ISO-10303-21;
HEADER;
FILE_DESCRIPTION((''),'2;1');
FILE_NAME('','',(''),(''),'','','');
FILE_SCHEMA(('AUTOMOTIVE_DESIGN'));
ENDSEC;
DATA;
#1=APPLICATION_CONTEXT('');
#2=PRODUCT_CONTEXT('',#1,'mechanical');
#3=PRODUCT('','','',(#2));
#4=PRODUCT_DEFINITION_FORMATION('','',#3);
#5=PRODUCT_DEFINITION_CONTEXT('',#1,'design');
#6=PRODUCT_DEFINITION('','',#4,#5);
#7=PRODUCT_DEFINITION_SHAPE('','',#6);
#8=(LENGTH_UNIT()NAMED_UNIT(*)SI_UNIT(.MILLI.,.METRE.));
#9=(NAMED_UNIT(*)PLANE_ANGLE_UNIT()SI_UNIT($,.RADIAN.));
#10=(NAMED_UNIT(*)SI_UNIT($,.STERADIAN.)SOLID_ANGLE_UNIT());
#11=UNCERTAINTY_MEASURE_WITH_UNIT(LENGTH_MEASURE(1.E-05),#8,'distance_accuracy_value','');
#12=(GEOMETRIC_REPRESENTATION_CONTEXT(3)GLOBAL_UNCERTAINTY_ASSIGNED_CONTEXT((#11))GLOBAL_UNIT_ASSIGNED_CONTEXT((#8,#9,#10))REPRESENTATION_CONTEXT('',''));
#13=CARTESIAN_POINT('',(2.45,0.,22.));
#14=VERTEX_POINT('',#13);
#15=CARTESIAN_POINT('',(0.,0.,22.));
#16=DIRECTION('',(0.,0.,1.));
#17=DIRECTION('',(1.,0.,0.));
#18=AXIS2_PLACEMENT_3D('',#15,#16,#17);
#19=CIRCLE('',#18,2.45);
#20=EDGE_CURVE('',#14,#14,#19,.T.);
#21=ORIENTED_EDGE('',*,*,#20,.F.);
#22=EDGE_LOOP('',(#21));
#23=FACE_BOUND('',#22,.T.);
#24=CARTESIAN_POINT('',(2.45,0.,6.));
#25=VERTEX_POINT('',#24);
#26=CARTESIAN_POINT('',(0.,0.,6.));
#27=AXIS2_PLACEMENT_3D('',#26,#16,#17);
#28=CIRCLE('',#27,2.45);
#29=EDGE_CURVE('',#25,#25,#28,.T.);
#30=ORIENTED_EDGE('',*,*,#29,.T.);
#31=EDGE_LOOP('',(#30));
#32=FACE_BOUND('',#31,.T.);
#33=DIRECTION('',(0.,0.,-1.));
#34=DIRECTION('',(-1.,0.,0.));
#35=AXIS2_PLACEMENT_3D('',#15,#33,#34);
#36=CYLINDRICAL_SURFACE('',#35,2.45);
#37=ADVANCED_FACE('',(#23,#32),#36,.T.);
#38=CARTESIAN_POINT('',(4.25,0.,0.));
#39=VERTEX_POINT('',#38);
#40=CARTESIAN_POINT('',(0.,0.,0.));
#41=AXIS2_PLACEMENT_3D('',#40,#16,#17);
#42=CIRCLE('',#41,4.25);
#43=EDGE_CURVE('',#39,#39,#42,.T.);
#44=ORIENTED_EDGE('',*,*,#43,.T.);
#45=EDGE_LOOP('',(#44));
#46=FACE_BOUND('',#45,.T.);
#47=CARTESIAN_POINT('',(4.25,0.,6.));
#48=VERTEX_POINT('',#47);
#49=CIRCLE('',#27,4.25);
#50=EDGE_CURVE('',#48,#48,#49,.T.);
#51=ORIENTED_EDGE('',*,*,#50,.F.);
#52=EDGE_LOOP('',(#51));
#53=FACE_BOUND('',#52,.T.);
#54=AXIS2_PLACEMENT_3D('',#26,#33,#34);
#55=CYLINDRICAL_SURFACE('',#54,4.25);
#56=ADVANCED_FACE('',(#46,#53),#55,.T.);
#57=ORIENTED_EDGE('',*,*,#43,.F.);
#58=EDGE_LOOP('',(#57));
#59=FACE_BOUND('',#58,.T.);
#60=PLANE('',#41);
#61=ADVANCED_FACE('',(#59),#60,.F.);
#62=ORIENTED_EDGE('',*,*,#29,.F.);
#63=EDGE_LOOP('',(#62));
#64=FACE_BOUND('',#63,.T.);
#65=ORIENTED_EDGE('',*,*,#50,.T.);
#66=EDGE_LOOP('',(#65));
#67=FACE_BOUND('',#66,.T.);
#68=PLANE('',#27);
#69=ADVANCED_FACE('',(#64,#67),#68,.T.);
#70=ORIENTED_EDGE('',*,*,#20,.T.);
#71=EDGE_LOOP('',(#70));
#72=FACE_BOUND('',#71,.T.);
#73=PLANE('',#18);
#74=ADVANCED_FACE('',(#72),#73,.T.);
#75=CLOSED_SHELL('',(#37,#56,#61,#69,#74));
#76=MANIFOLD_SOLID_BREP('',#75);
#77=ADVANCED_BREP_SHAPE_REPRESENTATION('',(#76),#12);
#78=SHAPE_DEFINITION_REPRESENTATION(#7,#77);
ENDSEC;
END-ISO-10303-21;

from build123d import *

# Parameters (mm, degrees)
SKIZZE1_R                       = 4.25
AUFSATZ_LINEAR_AUSTRAGEN1_DEPTH = 6
SKIZZE2_R                       = 2.45
AUFSATZ_LINEAR_AUSTRAGEN2_DEPTH = 16


with BuildPart() as part:
    # Skizze1 → Aufsatz-Linear austragen1 (new body)
    with BuildSketch(Plane.XY):
        Circle(SKIZZE1_R)
    extrude(amount=AUFSATZ_LINEAR_AUSTRAGEN1_DEPTH)

    # Skizze2 → Aufsatz-Linear austragen2 (add)
    with BuildSketch(Plane.XY.offset(6)):
        Circle(SKIZZE2_R)
    extrude(amount=AUFSATZ_LINEAR_AUSTRAGEN2_DEPTH)


solid = part.part
